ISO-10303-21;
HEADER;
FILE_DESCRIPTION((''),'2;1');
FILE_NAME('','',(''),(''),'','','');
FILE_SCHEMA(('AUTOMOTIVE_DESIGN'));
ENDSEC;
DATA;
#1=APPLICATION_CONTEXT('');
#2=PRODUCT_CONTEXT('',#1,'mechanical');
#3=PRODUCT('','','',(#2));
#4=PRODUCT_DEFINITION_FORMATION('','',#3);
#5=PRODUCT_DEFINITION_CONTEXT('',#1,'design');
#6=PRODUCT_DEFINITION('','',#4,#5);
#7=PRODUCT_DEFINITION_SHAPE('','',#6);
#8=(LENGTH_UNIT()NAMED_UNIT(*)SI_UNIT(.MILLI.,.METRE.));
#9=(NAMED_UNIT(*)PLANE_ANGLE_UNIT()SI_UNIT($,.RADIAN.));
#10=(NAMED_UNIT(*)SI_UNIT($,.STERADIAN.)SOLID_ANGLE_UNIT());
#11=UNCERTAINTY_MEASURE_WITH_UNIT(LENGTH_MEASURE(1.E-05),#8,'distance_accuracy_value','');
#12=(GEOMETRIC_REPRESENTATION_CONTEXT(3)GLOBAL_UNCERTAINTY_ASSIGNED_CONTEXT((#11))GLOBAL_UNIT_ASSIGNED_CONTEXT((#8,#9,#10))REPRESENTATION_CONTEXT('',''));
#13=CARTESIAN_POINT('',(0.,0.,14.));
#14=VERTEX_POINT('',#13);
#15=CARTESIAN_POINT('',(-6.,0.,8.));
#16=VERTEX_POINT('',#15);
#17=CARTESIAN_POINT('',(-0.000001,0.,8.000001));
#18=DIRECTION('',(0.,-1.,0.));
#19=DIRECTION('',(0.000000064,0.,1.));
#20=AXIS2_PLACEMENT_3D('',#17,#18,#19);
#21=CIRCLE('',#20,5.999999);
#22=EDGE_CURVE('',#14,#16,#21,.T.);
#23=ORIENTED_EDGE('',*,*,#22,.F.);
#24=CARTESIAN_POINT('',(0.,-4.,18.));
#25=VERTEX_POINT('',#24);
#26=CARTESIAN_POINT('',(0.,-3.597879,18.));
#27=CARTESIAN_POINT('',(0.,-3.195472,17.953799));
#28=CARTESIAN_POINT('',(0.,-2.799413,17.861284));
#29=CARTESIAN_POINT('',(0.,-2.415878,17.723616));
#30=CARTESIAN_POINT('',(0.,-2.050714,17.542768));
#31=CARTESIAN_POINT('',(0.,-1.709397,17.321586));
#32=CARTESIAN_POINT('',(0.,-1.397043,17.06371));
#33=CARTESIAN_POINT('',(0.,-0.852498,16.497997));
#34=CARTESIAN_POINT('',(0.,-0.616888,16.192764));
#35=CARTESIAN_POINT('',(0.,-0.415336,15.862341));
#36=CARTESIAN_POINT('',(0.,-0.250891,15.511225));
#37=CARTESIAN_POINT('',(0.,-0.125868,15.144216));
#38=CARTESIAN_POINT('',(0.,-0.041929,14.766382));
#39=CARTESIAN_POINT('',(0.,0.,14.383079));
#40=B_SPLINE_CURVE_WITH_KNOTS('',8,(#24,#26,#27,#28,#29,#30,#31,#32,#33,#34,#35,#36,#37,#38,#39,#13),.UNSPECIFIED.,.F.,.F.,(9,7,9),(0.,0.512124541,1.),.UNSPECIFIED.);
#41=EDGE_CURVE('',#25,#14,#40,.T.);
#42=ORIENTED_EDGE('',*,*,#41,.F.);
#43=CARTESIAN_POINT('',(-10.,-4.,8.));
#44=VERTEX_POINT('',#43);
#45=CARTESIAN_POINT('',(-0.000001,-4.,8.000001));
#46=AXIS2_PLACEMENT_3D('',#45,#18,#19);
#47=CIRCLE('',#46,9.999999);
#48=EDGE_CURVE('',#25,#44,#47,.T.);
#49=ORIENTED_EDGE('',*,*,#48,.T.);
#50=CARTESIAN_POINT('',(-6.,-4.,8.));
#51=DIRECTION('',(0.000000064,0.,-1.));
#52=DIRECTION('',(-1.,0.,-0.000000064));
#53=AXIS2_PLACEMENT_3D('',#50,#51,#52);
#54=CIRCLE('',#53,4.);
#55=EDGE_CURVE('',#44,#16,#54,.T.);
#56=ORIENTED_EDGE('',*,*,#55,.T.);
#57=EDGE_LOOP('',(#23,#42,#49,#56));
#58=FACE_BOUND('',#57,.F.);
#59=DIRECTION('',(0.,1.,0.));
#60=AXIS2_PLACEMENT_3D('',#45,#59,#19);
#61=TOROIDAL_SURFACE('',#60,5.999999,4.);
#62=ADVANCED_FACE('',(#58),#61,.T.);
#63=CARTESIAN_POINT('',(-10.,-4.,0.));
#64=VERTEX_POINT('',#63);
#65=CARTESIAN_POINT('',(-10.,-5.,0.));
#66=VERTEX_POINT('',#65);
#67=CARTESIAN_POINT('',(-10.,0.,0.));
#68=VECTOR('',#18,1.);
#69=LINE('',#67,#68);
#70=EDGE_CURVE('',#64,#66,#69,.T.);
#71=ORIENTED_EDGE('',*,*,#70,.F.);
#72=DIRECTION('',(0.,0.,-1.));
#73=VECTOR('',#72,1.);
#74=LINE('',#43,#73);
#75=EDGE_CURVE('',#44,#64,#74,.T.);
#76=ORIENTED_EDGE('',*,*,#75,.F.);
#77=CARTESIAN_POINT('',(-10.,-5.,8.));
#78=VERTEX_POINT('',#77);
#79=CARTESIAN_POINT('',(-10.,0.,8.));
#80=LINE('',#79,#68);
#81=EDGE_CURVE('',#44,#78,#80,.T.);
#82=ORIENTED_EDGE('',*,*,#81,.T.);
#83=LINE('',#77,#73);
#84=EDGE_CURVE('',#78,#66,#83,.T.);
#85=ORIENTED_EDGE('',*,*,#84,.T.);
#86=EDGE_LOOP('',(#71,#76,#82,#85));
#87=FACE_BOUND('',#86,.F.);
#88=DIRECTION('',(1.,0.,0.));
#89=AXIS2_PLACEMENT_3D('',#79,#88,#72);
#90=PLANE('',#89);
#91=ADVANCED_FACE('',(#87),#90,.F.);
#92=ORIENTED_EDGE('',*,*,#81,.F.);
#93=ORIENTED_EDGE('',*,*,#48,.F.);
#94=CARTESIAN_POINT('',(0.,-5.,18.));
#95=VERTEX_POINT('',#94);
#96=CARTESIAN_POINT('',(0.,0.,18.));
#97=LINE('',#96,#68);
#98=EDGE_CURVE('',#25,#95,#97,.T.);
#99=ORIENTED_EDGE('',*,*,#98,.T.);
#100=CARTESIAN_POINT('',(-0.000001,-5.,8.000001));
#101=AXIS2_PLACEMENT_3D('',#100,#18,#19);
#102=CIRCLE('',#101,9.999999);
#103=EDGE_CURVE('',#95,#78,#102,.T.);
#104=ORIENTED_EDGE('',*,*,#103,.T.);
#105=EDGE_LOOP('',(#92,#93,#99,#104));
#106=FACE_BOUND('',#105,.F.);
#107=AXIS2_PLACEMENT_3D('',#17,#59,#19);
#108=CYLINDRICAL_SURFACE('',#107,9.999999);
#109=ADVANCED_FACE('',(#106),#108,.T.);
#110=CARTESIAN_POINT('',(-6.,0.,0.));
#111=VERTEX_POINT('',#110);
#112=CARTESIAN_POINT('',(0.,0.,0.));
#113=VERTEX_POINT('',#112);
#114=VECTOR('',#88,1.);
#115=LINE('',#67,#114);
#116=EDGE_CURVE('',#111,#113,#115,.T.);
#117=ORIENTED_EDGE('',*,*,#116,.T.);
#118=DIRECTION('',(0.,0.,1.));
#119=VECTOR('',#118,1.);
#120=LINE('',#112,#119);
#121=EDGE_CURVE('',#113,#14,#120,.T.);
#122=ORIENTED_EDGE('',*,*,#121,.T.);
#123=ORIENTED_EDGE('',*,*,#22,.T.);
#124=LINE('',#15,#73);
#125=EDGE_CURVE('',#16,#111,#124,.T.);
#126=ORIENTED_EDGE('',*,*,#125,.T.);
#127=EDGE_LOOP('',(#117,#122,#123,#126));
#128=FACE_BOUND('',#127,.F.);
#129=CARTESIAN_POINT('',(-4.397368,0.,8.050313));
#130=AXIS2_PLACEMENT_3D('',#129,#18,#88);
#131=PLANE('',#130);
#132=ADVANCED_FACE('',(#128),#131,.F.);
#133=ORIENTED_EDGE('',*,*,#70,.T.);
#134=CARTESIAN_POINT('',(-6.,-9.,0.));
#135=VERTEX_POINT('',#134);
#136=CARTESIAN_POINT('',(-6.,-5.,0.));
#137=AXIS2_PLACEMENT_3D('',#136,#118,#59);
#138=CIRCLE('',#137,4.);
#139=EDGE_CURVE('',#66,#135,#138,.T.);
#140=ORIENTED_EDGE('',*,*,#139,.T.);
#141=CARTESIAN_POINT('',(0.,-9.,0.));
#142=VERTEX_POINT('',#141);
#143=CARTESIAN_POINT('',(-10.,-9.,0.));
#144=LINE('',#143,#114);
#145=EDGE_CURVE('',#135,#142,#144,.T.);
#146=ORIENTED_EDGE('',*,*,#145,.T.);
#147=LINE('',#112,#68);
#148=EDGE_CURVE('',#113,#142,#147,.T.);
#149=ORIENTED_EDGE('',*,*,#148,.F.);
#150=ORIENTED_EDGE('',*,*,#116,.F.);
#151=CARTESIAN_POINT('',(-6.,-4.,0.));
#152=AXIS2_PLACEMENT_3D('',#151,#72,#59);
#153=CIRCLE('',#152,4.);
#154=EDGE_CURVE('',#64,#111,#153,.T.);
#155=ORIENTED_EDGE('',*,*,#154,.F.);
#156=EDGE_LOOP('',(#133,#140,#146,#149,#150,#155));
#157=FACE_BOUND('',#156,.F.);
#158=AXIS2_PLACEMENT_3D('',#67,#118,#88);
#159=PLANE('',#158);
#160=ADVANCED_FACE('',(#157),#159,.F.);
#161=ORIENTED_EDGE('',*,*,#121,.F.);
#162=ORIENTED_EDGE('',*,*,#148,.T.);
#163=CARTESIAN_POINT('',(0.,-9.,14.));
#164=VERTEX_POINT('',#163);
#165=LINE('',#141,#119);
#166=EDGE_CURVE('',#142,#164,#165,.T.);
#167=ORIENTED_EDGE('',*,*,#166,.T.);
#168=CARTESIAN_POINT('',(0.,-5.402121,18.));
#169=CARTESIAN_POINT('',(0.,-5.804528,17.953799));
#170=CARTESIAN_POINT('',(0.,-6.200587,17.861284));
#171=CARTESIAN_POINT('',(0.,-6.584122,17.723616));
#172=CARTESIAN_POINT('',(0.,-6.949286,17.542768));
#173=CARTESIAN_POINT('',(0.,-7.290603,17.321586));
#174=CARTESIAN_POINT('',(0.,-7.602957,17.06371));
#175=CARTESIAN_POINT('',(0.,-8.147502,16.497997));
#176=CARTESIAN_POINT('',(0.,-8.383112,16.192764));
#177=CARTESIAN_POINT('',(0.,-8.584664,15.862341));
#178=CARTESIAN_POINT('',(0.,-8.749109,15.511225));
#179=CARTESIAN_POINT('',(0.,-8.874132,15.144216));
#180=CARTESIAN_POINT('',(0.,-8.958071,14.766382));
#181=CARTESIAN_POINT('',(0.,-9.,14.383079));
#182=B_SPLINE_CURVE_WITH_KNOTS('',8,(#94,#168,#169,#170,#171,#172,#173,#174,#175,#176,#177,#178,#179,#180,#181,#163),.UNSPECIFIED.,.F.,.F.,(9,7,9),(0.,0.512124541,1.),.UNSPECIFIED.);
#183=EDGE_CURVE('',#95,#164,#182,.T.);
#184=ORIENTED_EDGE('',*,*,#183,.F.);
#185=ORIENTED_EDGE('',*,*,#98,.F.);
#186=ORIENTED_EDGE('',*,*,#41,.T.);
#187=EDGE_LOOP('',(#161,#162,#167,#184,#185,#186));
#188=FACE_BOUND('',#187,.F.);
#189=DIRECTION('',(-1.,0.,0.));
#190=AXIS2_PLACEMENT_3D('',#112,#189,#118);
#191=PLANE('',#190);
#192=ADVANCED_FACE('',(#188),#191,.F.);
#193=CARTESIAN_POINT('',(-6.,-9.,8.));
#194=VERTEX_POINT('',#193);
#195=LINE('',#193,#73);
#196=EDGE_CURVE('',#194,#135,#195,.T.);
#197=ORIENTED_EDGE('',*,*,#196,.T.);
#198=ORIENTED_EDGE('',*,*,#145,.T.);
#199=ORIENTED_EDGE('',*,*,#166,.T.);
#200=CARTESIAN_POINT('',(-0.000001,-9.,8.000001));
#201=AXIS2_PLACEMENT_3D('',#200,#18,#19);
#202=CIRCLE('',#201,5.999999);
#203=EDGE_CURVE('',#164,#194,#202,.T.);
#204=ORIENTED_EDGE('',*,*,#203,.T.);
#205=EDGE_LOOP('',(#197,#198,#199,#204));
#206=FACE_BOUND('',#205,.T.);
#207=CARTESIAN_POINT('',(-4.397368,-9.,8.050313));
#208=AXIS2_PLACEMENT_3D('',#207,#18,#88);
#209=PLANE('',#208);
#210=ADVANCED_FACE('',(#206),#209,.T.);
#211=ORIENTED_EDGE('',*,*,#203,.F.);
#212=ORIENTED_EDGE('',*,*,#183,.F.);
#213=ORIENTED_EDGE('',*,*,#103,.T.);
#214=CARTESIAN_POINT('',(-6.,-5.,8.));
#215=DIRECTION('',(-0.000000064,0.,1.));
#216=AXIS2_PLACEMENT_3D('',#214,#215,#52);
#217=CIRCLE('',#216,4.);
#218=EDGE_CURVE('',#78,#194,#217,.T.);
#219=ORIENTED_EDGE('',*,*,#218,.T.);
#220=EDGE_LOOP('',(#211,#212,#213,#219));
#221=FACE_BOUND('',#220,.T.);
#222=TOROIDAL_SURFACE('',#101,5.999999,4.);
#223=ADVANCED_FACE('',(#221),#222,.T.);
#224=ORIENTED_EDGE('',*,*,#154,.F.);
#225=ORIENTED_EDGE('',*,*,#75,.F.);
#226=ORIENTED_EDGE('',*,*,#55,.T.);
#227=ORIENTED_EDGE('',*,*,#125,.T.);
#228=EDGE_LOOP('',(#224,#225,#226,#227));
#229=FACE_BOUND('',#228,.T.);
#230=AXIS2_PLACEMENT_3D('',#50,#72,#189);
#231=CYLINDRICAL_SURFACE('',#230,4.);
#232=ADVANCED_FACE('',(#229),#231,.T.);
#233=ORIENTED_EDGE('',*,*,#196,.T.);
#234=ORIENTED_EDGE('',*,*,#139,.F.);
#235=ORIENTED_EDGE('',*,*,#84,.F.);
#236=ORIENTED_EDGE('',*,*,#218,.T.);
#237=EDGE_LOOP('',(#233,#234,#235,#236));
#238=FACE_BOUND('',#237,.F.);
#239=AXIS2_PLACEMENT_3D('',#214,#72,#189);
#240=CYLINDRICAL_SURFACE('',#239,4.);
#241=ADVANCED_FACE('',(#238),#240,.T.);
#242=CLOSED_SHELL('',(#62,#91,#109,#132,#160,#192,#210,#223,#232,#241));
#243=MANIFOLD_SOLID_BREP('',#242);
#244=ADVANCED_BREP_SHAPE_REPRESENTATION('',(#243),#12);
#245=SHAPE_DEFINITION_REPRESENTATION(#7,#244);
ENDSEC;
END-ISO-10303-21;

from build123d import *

# Parameters (mm, degrees)
F1_DEPTH = 9
F2_R     = 4


with BuildPart() as f1:
    # F0 (on Front) → F1 (new body)
    with BuildSketch(Plane.XZ):
        with BuildLine():
            Line((-10, 8), (-10, 0))
            Line((-10, 0), (0, 0))
            Line((0, 0), (0, 18))
            ThreePointArc((0, 18), (-7.071068, 15.071068), (-10, 8))
        make_face()
    extrude(amount=F1_DEPTH)

    # F2
    f2_edges = [f1.edges().sort_by_distance(p)[0] for p in [
        (-7.071068, 0, 15.071068),
        (-10, 0, 4),
        (-10, -9, 4),
        (-7.071068, -9, 15.071068),
    ]]
    fillet(f2_edges, radius=F2_R)


solid = f1.part
